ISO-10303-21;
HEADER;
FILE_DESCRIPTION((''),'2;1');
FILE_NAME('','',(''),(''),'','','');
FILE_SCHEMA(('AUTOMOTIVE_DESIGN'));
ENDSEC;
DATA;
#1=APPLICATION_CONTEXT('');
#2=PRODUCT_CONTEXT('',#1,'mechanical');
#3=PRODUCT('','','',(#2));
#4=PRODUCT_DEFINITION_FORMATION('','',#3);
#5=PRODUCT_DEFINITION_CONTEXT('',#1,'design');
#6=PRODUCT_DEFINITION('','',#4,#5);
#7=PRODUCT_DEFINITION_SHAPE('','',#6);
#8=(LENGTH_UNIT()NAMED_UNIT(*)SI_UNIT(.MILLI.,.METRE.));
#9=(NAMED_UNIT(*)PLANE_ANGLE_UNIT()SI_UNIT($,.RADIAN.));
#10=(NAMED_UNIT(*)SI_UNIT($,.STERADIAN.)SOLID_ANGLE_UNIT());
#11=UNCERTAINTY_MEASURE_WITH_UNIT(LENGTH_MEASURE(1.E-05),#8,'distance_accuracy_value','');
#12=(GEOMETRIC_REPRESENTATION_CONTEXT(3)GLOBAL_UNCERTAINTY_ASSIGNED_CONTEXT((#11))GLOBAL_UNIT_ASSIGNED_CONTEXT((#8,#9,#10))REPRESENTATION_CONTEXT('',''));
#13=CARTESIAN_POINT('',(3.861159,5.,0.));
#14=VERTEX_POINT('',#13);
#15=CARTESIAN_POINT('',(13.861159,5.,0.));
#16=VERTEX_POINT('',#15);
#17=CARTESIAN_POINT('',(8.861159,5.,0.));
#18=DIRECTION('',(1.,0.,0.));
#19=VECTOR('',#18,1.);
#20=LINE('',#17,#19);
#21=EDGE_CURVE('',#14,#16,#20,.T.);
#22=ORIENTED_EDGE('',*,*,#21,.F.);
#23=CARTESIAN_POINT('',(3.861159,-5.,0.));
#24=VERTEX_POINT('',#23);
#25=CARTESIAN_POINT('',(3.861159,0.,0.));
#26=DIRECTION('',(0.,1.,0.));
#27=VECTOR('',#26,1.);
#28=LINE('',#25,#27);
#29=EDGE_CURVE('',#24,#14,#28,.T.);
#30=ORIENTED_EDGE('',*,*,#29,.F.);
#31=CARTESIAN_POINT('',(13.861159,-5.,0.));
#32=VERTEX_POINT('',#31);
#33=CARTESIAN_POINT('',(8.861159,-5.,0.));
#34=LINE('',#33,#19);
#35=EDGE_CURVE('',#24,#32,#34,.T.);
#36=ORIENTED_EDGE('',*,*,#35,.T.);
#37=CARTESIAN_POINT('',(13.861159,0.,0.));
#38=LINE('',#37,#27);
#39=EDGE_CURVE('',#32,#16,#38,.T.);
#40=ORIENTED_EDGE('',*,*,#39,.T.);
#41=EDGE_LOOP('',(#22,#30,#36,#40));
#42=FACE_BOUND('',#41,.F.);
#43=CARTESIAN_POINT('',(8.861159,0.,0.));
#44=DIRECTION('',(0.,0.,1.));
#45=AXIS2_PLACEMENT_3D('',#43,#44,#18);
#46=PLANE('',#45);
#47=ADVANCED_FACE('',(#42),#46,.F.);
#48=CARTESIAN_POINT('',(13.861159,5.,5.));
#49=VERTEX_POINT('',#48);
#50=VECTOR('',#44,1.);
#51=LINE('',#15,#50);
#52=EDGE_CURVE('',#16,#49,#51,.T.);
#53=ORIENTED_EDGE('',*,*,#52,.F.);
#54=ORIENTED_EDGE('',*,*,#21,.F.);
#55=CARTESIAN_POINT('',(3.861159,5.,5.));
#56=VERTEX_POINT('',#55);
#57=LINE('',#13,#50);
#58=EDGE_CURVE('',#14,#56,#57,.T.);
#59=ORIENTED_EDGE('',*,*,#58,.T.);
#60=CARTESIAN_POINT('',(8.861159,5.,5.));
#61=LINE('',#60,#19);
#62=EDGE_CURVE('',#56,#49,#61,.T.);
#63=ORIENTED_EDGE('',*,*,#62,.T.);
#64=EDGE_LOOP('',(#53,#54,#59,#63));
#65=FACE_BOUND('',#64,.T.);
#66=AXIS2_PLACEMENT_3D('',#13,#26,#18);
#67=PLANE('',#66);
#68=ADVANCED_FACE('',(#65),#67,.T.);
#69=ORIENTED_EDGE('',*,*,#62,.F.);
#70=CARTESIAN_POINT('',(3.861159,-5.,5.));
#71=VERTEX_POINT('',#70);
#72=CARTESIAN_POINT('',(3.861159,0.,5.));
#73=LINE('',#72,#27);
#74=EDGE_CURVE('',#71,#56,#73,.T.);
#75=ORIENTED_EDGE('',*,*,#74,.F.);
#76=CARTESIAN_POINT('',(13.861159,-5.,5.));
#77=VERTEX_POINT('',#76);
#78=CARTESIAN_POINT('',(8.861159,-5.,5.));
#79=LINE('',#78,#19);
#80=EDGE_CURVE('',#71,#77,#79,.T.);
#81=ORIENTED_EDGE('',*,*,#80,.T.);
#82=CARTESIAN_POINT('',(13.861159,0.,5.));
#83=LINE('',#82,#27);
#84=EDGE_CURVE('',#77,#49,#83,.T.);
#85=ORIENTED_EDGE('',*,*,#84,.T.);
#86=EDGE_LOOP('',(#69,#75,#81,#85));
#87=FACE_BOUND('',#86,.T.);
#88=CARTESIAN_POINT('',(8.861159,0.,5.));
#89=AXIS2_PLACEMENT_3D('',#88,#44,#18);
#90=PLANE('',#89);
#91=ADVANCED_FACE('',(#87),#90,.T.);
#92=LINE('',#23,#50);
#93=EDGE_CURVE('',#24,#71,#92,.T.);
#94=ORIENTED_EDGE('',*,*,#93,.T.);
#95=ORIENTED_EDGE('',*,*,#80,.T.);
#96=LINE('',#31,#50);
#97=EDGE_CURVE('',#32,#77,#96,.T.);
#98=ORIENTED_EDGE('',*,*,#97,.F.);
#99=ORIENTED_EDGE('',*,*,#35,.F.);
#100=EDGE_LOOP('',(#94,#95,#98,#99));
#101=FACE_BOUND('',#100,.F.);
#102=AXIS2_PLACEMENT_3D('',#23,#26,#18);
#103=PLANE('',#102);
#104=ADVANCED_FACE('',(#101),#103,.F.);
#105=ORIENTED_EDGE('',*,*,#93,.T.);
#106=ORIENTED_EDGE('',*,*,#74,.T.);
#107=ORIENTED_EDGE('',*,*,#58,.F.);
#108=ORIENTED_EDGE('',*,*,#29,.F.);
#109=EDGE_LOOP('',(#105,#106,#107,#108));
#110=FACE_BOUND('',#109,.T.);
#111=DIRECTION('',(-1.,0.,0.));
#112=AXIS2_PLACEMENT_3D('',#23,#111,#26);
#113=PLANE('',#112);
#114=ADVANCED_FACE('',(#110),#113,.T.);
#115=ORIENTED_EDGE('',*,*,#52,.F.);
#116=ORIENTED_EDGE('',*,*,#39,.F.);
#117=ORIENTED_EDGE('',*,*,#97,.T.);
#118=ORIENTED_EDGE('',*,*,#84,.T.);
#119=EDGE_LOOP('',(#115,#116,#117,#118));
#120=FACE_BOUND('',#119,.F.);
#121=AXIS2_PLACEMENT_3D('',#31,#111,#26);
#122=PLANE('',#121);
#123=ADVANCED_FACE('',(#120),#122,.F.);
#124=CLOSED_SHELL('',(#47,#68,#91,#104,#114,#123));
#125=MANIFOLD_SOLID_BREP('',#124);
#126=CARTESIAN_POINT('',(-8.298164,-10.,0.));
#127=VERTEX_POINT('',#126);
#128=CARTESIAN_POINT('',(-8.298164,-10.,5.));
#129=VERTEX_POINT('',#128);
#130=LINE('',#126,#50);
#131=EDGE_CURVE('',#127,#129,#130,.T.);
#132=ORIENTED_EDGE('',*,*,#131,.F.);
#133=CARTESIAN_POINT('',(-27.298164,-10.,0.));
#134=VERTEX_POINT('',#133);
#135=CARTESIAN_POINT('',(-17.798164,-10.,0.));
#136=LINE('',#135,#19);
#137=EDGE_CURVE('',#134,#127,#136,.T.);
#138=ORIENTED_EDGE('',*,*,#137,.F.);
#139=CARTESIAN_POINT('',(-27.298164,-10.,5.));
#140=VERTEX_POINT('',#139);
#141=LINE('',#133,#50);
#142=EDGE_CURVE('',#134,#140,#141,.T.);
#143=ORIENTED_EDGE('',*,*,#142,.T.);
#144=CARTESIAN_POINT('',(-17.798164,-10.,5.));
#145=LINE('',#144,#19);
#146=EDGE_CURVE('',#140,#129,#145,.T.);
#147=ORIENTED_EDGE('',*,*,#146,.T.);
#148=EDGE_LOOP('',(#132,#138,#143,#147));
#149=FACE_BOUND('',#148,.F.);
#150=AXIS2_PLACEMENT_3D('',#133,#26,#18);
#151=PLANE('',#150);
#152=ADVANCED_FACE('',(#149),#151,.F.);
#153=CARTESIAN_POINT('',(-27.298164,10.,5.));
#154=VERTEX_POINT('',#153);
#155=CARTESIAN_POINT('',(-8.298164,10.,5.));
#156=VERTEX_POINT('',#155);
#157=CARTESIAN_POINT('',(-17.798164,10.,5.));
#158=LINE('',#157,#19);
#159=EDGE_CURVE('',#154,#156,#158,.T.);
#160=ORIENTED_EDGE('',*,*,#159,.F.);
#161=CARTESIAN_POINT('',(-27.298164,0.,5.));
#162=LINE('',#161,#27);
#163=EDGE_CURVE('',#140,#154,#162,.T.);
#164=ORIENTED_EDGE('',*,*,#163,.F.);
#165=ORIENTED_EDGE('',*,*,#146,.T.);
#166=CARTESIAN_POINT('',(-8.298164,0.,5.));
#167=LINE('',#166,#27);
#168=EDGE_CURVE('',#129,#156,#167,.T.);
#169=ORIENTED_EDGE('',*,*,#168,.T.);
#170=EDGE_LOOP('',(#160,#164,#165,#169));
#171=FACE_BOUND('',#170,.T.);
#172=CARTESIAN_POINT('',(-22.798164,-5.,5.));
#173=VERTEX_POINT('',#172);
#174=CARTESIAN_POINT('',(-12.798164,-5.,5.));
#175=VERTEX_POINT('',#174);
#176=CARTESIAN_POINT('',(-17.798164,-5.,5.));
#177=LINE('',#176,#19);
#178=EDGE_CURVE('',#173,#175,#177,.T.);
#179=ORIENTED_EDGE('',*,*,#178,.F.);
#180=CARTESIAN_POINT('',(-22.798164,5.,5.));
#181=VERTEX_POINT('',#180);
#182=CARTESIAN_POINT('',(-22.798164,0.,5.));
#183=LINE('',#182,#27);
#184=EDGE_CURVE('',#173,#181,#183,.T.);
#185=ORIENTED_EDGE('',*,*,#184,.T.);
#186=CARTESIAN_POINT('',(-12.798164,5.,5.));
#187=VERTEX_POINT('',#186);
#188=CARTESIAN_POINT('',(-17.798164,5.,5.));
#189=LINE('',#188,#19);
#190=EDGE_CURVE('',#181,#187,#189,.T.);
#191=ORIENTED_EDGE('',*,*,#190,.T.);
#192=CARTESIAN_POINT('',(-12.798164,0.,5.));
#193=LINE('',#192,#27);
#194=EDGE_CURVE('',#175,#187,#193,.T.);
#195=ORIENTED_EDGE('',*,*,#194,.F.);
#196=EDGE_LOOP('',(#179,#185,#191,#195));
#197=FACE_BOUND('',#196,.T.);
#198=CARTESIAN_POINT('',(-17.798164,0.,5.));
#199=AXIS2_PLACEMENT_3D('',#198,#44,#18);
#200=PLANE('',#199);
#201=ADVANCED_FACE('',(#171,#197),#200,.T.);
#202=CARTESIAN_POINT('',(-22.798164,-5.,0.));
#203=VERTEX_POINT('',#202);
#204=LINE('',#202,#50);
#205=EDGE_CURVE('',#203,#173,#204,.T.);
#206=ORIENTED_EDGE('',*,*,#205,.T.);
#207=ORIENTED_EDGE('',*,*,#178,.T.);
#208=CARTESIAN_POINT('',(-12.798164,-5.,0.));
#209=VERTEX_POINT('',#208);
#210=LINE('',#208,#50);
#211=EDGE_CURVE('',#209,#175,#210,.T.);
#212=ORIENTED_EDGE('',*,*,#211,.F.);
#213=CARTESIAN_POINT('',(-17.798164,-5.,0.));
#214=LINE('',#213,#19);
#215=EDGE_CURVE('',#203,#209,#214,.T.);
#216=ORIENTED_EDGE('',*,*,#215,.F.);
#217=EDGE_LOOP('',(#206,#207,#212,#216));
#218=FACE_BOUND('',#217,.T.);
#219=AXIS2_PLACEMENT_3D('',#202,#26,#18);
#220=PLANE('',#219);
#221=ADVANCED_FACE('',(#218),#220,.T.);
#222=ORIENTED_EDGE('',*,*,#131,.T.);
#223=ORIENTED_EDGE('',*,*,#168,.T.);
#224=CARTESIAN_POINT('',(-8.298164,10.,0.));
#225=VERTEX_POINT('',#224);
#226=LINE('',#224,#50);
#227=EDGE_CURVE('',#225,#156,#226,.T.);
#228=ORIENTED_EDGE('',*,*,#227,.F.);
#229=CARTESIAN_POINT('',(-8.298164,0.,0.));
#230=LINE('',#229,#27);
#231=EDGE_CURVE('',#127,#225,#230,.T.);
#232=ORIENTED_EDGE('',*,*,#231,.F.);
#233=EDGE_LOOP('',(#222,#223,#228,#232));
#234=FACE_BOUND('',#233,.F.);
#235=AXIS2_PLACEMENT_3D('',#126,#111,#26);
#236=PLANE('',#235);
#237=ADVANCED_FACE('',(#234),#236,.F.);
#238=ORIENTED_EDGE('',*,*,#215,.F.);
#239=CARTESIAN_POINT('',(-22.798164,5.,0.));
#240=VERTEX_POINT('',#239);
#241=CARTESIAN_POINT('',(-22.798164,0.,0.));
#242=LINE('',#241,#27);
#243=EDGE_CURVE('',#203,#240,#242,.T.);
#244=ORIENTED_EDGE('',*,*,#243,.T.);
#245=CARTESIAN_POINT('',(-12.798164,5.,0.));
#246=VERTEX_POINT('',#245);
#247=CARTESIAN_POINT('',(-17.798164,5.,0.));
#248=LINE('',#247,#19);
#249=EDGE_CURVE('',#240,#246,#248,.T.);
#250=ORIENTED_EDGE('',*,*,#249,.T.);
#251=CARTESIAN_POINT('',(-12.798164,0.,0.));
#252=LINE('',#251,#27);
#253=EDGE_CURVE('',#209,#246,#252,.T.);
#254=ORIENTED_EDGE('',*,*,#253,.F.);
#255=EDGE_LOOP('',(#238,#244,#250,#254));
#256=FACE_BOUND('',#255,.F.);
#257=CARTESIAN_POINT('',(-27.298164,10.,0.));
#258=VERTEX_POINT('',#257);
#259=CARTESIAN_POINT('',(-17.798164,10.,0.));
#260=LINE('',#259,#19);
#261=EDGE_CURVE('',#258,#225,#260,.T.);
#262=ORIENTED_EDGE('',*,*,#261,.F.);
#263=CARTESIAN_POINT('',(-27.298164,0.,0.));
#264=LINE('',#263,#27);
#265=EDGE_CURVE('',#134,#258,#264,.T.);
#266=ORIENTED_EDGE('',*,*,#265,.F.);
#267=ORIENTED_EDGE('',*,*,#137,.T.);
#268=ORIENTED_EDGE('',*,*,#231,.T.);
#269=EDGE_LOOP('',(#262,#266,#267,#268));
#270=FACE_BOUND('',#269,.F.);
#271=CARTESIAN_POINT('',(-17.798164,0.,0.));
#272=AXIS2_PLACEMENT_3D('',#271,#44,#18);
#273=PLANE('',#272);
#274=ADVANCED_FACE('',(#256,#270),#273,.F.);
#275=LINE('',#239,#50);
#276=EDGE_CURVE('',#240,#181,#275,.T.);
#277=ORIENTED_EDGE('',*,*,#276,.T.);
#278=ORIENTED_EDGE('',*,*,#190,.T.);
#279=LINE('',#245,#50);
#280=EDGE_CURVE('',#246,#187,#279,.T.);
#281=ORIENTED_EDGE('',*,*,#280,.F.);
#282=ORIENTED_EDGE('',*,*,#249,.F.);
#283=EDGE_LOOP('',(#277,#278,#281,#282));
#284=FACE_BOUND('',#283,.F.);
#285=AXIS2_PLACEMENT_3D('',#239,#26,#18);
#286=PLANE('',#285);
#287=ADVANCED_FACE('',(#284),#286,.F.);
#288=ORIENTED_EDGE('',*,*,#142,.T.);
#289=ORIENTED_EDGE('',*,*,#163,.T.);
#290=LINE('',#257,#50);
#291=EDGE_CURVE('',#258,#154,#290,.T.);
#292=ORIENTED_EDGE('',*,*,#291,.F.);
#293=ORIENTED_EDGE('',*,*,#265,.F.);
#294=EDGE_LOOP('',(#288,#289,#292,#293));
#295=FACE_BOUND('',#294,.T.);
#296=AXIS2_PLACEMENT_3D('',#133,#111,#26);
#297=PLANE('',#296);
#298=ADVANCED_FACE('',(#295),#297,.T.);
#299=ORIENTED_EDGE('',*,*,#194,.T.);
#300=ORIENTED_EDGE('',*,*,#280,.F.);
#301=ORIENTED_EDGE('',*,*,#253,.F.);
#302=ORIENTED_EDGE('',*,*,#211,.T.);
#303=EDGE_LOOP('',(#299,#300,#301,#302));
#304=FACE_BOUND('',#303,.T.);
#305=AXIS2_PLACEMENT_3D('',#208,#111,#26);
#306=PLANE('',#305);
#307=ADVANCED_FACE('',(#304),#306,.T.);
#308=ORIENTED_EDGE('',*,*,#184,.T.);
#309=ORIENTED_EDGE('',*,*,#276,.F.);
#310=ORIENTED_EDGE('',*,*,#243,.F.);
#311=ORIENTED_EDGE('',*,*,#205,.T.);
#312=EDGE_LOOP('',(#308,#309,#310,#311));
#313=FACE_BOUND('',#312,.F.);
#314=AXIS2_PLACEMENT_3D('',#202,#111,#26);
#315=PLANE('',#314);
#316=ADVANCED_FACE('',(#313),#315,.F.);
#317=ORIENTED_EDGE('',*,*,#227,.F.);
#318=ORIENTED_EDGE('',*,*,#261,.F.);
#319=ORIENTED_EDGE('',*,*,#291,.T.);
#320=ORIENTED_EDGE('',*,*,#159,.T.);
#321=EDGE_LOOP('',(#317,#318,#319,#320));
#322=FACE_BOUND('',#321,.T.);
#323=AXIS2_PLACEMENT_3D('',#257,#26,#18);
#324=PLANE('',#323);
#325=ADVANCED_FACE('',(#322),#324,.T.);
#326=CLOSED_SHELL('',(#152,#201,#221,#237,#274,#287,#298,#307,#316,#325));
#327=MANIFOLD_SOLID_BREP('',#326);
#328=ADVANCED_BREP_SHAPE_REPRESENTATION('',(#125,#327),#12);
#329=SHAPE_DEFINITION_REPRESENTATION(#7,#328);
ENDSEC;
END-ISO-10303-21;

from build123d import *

# Parameters (mm, degrees)
F0_W     = 19
F0_H     = 20
F0_W_2   = 10
F0_H_2   = 10
F1_DEPTH = 5


with BuildPart() as f1:
    # F0 (on Top) → F1 (new body)
    with BuildSketch(Plane.XY):
        with Locations((-17.798164, 0)):
            Rectangle(F0_W, F0_H)
        with Locations((-17.798164, 0)):
            Rectangle(F0_W_2, F0_H_2, mode=Mode.SUBTRACT)
        with Locations((8.861159, 0)):
            Rectangle(F0_W_2, F0_H_2)
    extrude(amount=F1_DEPTH)


solid = f1.part
